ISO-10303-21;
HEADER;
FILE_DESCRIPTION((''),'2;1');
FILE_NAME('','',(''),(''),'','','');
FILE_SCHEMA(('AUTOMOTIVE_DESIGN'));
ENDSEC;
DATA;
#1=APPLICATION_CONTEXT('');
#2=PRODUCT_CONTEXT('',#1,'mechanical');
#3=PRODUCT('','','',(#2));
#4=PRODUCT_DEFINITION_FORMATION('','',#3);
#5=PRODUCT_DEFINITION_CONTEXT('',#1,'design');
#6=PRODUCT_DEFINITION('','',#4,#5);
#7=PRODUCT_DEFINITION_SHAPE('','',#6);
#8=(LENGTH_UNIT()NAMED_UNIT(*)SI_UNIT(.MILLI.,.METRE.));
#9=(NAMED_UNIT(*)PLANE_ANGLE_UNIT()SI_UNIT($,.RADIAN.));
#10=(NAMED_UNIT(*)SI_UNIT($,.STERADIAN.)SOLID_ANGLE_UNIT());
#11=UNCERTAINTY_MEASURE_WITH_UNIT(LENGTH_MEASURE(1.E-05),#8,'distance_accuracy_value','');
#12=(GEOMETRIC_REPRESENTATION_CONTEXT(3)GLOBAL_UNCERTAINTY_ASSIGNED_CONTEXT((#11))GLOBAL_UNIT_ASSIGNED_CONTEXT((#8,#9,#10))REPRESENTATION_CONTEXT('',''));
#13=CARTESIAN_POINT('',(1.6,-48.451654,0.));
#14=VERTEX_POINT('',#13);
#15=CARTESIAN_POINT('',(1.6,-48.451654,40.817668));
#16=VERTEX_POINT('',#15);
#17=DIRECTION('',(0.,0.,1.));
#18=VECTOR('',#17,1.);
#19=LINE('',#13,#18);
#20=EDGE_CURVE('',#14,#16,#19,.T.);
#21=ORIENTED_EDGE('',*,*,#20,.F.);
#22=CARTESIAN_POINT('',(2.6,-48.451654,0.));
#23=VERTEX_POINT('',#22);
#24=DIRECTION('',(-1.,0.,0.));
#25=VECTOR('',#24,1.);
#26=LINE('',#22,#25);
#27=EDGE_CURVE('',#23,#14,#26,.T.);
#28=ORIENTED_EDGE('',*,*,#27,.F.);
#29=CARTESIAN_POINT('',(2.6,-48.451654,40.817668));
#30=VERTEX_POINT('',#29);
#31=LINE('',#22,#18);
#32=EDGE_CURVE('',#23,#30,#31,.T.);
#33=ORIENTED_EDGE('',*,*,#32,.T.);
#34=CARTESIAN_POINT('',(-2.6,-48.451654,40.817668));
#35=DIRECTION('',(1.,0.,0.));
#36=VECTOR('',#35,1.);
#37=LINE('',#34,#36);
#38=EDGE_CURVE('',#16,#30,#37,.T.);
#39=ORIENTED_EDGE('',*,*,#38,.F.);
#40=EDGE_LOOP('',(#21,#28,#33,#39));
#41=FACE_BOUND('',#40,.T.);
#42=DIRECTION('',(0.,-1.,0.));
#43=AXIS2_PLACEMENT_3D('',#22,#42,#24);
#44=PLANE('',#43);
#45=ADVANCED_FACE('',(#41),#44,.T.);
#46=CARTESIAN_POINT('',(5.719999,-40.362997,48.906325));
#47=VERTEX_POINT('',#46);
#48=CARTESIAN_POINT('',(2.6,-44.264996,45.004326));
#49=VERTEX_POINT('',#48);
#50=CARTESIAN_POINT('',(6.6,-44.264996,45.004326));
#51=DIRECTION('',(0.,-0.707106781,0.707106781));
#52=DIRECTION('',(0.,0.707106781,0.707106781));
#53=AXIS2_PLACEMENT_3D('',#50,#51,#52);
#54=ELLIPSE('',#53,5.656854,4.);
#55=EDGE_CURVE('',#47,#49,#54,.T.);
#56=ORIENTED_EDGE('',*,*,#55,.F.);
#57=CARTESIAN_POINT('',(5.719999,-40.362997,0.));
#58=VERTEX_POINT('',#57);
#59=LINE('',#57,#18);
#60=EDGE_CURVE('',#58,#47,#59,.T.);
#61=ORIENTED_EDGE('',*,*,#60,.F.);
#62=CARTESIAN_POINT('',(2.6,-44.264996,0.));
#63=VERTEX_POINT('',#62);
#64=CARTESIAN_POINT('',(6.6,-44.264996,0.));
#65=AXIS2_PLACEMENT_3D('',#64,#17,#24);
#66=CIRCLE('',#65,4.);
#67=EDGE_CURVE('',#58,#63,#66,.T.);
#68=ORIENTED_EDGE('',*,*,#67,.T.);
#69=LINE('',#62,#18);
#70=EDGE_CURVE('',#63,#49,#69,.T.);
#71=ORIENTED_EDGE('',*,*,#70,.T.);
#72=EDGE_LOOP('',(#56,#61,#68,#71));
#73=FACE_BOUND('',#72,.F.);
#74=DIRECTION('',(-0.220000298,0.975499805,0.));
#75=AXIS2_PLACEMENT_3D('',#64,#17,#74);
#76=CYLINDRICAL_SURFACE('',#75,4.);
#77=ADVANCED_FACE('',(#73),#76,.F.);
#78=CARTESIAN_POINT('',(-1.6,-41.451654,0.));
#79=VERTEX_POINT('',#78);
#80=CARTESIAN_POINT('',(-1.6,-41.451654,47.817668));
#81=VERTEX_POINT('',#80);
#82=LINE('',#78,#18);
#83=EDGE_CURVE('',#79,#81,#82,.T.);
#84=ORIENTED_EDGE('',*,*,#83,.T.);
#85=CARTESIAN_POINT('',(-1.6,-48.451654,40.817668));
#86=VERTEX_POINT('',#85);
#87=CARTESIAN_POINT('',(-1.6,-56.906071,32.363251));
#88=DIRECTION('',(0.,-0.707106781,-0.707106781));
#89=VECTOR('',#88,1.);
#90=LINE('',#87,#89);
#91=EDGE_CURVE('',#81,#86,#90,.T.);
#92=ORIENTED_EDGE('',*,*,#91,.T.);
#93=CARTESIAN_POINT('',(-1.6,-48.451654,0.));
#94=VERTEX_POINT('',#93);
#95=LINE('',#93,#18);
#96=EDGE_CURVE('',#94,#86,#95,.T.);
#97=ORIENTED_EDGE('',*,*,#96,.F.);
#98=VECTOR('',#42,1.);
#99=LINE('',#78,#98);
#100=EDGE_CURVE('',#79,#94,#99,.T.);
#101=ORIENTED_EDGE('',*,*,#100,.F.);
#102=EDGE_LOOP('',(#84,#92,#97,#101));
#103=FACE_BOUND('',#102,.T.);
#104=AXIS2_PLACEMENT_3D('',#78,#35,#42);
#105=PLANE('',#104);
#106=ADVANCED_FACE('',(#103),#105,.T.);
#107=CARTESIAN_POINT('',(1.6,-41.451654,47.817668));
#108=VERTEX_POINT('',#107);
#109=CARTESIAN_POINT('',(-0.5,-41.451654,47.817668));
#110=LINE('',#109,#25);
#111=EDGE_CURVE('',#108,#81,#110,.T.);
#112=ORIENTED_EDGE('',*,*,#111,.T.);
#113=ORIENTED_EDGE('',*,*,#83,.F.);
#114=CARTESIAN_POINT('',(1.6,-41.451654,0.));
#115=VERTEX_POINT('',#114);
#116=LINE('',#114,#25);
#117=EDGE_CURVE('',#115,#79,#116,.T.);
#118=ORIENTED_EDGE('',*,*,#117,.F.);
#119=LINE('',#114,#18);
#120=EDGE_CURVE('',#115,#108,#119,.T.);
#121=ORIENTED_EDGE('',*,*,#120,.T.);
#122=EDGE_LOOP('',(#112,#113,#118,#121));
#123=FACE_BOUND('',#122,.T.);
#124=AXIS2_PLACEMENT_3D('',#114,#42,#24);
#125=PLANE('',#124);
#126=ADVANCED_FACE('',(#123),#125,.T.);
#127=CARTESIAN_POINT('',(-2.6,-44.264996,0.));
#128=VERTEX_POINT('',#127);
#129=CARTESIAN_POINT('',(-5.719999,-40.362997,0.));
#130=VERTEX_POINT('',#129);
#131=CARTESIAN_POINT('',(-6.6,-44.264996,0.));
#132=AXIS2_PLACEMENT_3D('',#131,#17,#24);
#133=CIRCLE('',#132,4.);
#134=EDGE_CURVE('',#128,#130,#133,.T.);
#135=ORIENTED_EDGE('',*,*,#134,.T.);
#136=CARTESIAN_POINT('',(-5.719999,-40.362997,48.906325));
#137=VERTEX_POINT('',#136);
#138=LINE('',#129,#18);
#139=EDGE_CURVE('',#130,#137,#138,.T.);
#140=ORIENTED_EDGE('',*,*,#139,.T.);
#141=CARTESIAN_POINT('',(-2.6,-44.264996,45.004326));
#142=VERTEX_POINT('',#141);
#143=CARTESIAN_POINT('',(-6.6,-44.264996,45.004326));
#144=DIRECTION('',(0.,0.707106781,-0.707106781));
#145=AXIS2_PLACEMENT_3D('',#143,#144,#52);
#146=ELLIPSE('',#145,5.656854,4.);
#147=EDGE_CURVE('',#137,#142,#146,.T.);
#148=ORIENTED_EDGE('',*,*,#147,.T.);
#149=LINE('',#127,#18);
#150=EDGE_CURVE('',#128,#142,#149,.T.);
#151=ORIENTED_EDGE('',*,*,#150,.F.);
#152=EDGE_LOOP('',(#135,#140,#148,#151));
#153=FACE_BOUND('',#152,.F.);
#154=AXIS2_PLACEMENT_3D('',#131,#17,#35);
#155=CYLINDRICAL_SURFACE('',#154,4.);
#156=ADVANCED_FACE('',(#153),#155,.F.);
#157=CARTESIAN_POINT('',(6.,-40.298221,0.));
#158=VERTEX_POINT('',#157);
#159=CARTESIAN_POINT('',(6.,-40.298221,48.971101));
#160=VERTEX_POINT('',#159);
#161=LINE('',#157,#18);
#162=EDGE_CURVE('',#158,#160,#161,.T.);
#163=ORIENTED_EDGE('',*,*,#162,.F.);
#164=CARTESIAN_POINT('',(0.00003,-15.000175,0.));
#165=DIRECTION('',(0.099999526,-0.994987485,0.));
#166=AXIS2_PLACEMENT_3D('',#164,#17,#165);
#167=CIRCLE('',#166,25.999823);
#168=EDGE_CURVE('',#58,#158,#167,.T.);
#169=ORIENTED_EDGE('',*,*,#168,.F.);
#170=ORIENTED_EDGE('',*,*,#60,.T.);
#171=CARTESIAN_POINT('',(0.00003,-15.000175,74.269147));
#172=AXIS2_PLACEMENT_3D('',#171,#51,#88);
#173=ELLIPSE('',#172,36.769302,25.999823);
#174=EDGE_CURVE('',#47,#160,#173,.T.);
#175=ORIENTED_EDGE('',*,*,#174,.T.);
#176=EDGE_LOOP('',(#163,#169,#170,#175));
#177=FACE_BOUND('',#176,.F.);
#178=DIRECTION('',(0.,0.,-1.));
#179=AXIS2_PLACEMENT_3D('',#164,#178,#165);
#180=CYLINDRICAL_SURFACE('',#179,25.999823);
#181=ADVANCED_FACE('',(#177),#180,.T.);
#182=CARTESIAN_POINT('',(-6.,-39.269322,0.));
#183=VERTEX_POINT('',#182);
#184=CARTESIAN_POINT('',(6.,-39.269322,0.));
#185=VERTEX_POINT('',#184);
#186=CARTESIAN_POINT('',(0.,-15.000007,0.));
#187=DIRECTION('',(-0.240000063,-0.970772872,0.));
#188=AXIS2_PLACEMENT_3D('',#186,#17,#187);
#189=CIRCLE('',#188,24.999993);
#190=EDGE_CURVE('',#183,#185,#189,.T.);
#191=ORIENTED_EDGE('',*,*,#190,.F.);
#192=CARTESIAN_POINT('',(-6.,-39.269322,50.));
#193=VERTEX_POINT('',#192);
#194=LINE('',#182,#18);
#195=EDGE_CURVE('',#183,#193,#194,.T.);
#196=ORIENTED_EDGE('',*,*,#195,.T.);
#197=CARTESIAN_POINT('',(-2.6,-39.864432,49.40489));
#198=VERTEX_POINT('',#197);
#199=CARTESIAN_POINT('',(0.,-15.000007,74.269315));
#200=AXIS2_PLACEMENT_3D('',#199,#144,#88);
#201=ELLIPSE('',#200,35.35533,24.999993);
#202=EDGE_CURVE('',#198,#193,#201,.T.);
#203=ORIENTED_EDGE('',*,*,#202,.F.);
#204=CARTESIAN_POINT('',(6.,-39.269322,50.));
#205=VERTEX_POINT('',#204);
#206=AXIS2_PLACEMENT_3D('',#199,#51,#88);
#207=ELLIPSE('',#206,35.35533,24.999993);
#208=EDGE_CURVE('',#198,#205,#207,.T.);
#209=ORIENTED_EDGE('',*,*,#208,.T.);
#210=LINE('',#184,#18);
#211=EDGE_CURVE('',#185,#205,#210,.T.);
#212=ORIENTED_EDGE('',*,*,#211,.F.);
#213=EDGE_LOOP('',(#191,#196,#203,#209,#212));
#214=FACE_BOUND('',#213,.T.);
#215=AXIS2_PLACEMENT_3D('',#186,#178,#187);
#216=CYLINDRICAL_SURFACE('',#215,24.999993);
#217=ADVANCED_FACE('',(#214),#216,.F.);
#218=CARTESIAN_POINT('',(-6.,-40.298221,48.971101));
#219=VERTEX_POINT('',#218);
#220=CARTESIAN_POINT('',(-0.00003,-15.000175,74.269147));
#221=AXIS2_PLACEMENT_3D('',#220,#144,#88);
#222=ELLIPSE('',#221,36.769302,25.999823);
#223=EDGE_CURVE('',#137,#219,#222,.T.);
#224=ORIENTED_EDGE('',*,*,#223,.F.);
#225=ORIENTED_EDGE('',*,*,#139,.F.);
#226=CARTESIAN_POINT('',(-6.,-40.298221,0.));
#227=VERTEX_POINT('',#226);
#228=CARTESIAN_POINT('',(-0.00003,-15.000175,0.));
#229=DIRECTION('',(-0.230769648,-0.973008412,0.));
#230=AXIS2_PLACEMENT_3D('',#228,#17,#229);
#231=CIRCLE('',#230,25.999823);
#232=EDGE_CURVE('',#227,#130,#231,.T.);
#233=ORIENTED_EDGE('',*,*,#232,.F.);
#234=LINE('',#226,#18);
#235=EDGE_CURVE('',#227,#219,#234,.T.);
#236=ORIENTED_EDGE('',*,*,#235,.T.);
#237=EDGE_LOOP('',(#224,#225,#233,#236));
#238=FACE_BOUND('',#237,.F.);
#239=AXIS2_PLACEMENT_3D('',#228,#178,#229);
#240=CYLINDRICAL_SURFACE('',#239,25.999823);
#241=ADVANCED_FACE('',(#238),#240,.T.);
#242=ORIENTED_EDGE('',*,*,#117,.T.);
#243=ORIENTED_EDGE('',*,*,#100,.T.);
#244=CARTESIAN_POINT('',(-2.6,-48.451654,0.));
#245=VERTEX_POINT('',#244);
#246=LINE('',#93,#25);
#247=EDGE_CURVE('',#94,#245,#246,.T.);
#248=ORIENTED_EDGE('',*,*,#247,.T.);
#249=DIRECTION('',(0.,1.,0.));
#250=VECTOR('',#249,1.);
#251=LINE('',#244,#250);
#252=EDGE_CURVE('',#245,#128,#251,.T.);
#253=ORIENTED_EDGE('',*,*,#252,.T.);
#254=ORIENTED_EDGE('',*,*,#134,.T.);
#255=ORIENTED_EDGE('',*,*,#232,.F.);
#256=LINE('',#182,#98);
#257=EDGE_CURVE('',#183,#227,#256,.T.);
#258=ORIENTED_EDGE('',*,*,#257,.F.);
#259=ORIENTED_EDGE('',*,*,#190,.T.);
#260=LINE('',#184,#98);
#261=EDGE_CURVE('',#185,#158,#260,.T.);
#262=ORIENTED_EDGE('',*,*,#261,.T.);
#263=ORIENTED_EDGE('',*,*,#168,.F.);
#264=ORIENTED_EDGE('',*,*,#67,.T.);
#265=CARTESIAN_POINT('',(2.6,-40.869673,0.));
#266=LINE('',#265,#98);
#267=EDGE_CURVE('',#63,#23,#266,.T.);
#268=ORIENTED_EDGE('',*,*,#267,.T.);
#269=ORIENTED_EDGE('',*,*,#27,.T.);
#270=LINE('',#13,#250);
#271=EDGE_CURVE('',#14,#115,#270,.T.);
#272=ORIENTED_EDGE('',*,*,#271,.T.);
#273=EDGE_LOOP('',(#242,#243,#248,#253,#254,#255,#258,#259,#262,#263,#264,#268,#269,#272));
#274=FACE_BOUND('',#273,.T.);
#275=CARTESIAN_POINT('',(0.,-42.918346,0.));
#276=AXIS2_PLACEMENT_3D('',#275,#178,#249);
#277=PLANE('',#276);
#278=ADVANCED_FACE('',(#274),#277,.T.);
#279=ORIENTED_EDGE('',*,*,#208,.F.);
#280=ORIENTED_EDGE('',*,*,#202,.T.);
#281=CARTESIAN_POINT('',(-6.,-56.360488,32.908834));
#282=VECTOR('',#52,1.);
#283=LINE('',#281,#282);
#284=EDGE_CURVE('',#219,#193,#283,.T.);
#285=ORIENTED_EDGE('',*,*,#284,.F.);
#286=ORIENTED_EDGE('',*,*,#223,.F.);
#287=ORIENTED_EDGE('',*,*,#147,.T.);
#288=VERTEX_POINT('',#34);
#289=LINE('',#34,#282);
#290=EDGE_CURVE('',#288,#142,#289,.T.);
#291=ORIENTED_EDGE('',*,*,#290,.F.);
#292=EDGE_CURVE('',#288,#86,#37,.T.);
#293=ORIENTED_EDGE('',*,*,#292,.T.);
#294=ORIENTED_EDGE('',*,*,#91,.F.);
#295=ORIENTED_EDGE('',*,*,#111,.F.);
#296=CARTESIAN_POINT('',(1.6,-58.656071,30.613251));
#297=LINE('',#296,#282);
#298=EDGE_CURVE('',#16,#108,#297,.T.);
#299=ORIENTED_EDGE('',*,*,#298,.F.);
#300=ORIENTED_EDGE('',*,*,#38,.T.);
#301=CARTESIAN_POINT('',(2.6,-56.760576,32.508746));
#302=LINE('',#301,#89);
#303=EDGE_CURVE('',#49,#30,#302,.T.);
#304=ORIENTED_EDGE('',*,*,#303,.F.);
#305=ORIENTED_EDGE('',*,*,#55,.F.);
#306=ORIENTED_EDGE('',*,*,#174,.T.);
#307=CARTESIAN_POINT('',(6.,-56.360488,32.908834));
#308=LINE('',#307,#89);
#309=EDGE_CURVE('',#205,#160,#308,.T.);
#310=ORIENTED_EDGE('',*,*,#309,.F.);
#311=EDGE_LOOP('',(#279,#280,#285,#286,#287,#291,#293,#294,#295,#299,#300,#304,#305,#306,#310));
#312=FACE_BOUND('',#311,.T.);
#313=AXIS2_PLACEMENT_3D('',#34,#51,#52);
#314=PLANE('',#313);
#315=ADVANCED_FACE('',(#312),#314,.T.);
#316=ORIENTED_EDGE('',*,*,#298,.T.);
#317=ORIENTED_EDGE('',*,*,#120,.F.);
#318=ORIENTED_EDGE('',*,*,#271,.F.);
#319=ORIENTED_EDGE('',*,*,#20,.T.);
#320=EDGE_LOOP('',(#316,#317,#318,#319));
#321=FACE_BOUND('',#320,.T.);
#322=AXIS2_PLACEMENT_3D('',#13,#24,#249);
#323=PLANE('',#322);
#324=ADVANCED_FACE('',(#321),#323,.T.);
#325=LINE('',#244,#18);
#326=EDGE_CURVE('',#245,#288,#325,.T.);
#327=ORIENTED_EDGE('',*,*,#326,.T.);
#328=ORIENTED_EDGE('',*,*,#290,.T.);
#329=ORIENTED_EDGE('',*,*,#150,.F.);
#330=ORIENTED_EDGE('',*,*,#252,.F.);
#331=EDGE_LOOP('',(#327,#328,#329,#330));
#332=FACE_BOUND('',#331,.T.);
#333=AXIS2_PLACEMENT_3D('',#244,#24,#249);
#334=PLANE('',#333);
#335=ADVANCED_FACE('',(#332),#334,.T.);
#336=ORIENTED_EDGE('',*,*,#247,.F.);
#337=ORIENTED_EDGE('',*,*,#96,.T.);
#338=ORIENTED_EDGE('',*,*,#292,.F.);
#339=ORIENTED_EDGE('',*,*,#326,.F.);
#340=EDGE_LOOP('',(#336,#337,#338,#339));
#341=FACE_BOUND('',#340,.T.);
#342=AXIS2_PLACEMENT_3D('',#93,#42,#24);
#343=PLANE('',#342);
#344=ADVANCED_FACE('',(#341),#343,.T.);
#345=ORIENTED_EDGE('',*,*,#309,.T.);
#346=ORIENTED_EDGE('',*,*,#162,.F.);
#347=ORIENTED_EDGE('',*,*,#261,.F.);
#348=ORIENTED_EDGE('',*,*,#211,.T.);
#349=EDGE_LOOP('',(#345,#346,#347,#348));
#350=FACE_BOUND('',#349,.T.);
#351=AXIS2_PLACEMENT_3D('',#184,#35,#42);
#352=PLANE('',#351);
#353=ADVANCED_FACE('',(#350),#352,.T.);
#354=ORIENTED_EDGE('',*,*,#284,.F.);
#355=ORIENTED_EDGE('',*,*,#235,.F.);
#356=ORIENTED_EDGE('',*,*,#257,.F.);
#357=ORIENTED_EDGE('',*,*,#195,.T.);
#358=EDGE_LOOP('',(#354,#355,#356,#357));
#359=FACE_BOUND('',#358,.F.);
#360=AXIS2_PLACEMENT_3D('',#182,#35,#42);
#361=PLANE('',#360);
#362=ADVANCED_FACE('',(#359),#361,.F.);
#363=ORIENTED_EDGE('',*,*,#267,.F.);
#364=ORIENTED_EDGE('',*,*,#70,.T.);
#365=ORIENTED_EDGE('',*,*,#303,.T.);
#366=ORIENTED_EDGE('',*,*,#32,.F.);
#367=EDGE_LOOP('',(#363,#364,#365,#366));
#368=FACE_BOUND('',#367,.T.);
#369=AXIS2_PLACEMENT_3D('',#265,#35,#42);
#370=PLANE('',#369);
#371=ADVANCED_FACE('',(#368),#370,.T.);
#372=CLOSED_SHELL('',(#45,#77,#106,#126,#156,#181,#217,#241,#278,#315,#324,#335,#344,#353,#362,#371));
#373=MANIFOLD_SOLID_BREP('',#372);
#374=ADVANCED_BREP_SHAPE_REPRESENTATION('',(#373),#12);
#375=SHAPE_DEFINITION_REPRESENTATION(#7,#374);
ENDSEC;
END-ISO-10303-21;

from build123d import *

# Parameters (mm, degrees)
PAD004_DEPTH            = 50
FILLET003_R             = 4
POCKET003_DEPTH         = 8.601
POCKET003_DEPTH_BACK    = 3.401
BODY005_PLACEMENT_ANGLE = 90


with BuildPart() as part:
    # Sketch008 → Pad004 (new body)
    with BuildSketch(Plane.XY):
        with BuildLine():
            ThreePointArc((24.269322, -6), (25, 0), (24.269322, 6))
            Line((24.269322, 6), (25.298221, 6))
            ThreePointArc((25.869673, 2.6), (25.640366, 4.309482), (25.298221, 6))
            Line((25.869673, 2.6), (33.451654, 2.6))
            Line((33.451654, 2.6), (33.451654, 1.6))
            Line((33.451654, 1.6), (26.451654, 1.6))
            Line((26.451654, 1.6), (26.451654, -1.6))
            Line((26.451654, -1.6), (33.451654, -1.6))
            Line((33.451654, -1.6), (33.451654, -2.6))
            Line((33.451654, -2.6), (25.869673, -2.6))
            ThreePointArc((25.298221, -6), (25.640366, -4.309482), (25.869673, -2.6))
            Line((24.269322, -6), (25.298221, -6))
        make_face()
    extrude(amount=PAD004_DEPTH)

    # Fillet003
    fillet003_edges = [part.edges().sort_by_distance(p)[0] for p in [
        (25.869673, -2.6, 25),
        (25.869673, 2.6, 25),
    ]]
    fillet(fillet003_edges, radius=FILLET003_R)

    # Sketch009 (on Face15 of Fillet003) → Pocket003 (cut, two sides)
    with BuildSketch(Plane.XZ.offset(2.6)) as pocket003_sk:
        Polygon((33.451654, 50), (33.451654, 40.817668), (24.269322, 50), align=None)
    extrude(amount=-POCKET003_DEPTH, mode=Mode.SUBTRACT)
    extrude(pocket003_sk.sketch, amount=POCKET003_DEPTH_BACK, mode=Mode.SUBTRACT)


with BuildPart() as part_1:
    # Body005 placement: moved
    add(part.part.moved(Location((0, -15, 0))).rotate(Axis((0, -15, 0), (0, 0, -1)), BODY005_PLACEMENT_ANGLE))


solid = part_1.part
